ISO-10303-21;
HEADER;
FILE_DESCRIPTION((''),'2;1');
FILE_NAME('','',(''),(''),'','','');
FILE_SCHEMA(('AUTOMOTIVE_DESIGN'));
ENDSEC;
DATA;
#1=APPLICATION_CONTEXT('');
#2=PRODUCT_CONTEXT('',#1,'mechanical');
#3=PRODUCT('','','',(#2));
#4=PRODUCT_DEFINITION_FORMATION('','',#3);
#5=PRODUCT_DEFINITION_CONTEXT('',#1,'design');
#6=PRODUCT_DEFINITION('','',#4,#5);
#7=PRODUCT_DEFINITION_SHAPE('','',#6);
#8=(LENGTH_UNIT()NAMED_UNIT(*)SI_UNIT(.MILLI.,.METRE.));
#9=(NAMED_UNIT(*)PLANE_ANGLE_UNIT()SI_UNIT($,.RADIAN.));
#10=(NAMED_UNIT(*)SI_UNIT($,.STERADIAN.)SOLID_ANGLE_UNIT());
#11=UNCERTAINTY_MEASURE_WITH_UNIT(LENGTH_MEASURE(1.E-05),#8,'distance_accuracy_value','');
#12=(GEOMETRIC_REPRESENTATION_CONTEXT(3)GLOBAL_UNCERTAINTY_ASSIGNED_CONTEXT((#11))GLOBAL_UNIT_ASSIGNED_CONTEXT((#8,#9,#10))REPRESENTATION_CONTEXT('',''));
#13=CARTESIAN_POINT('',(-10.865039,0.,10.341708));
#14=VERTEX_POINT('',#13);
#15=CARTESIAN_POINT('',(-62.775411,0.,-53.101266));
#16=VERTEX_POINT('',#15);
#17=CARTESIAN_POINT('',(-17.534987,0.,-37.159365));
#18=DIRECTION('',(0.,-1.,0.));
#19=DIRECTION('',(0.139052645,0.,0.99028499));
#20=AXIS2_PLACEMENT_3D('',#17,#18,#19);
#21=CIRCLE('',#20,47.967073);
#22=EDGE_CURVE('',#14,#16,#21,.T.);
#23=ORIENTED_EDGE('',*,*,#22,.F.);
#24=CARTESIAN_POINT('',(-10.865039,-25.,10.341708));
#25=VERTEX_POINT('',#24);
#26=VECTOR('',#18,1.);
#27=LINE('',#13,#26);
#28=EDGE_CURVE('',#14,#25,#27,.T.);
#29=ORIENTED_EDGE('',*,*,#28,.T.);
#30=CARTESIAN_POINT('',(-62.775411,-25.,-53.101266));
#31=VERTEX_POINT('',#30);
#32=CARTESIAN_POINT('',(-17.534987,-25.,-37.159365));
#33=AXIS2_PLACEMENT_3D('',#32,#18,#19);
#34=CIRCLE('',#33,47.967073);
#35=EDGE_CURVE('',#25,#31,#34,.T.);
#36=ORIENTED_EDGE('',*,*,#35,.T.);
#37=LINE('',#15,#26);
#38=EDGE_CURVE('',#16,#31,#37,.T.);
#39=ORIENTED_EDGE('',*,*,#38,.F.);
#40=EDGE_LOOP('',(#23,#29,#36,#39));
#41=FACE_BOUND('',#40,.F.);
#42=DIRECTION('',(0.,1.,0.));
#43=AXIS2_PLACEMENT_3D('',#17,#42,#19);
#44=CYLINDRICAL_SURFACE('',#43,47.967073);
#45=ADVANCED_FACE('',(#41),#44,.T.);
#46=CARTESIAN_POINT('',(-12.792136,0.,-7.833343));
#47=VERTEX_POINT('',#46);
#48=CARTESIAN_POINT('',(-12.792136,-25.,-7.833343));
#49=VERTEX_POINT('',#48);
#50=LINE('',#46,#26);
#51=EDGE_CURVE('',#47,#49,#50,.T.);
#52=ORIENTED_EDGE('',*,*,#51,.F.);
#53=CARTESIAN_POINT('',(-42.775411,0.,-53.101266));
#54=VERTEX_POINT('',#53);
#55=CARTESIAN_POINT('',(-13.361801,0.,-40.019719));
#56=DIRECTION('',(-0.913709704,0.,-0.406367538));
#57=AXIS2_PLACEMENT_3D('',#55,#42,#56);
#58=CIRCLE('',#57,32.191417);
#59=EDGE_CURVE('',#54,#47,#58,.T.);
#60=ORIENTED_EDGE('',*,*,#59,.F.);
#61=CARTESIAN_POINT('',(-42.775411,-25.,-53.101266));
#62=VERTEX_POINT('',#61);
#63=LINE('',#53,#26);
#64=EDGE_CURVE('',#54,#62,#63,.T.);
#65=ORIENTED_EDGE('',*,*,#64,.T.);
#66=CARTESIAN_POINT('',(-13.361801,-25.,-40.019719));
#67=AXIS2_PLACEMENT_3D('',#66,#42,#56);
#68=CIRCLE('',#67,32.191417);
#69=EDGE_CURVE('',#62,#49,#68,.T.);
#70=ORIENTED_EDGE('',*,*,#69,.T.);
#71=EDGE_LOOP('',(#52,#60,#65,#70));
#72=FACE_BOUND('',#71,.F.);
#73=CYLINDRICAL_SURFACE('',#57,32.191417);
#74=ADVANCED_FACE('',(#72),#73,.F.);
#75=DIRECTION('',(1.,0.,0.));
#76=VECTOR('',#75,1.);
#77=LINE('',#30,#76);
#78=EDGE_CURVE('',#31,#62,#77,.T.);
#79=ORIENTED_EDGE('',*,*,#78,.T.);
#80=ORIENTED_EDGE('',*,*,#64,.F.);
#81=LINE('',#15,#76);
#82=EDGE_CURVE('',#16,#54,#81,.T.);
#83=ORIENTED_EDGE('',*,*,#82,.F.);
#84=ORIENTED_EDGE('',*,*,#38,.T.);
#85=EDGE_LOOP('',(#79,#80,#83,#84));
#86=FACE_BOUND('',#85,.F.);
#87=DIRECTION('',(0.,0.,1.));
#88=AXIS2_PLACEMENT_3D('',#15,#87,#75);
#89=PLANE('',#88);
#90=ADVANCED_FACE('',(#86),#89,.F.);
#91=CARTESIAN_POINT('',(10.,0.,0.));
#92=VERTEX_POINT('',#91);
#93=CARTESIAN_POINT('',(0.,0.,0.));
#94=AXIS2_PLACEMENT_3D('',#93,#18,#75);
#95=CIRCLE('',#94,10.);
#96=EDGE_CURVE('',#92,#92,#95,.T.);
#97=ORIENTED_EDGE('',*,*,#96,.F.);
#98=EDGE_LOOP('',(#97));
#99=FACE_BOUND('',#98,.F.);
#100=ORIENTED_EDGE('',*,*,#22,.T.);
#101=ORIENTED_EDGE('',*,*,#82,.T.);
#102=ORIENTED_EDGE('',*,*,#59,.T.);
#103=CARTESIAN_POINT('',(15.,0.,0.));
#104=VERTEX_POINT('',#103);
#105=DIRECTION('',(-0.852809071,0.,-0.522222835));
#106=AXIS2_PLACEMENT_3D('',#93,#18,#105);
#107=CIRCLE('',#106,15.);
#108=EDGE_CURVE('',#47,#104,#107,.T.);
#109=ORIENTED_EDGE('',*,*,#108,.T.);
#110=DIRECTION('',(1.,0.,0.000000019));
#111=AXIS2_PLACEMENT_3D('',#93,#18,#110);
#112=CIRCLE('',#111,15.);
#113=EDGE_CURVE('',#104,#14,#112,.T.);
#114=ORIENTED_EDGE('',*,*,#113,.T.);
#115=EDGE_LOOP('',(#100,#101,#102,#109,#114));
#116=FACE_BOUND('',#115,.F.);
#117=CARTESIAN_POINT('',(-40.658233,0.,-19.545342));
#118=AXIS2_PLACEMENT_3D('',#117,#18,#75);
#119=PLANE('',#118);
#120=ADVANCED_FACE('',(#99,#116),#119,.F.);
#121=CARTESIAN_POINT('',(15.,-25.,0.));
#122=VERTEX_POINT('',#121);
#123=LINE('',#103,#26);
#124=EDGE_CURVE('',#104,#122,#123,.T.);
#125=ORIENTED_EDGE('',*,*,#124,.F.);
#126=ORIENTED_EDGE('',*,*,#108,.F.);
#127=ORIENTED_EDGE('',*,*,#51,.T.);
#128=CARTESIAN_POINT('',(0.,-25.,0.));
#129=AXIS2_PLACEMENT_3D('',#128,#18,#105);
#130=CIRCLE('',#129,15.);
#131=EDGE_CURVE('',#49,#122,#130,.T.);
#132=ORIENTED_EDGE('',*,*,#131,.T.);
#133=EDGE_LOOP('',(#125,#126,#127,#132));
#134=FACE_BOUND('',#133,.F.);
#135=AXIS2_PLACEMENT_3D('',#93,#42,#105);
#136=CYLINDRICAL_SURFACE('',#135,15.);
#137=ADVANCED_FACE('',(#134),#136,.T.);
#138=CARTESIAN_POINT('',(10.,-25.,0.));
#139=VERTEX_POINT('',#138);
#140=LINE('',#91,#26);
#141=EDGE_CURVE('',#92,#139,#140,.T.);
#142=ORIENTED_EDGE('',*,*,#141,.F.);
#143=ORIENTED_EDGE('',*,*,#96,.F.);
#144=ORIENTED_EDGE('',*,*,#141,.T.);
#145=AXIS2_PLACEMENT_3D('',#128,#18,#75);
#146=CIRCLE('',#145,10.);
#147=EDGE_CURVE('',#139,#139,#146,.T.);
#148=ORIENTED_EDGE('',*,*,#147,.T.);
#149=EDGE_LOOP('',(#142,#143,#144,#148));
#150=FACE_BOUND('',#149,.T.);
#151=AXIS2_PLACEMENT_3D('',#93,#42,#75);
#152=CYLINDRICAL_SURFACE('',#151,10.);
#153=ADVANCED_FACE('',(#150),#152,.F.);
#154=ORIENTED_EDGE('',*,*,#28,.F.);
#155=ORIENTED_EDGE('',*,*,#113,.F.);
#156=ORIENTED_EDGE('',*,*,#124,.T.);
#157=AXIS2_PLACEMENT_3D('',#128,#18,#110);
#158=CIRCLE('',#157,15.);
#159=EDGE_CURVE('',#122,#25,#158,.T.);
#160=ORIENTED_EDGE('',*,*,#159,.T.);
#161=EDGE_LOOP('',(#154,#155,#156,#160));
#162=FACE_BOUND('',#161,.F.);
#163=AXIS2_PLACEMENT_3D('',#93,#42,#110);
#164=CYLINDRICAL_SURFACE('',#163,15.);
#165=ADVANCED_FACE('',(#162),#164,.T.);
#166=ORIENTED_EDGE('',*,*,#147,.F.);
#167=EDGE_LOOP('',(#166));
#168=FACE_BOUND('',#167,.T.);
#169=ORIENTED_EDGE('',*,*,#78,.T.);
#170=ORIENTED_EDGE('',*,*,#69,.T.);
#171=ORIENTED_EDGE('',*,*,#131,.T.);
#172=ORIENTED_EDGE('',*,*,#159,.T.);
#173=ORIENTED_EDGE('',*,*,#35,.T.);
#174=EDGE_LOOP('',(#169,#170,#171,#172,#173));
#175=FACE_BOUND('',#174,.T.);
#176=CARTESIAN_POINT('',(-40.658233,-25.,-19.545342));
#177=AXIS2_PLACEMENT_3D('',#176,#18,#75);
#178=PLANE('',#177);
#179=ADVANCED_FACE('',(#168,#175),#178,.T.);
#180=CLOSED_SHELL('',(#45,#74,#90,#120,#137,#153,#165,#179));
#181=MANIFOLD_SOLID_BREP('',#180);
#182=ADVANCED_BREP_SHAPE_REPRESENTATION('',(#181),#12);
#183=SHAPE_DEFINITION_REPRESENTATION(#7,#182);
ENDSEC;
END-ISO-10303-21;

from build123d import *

# Parameters (mm, degrees)
F0_R     = 10
F1_DEPTH = 25


with BuildPart() as f1:
    # F0 (on Front) → F1 (new body)
    with BuildSketch(Plane.XZ):
        with BuildLine():
            ThreePointArc((-12.792136, -7.833343), (-14.916387, 1.581581), (-10.865039, 10.341708))
            ThreePointArc((-10.865039, 10.341708), (-54.658742, -6.783931), (-62.775411, -53.101266))
            Line((-62.775411, -53.101266), (-42.775411, -53.101266))
            ThreePointArc((-42.775411, -53.101266), (-40.200011, -22.243392), (-12.792136, -7.833343))
        make_face()
        with BuildLine():
            ThreePointArc((-12.792136, -7.833343), (4.069273, -14.437487), (15, 0))
            ThreePointArc((15, 0), (5.56886, 13.92795), (-10.865039, 10.341708))
            ThreePointArc((-10.865039, 10.341708), (-14.916387, 1.581581), (-12.792136, -7.833343))
        make_face()
        Circle(F0_R, mode=Mode.SUBTRACT)
    extrude(amount=F1_DEPTH)


solid = f1.part
